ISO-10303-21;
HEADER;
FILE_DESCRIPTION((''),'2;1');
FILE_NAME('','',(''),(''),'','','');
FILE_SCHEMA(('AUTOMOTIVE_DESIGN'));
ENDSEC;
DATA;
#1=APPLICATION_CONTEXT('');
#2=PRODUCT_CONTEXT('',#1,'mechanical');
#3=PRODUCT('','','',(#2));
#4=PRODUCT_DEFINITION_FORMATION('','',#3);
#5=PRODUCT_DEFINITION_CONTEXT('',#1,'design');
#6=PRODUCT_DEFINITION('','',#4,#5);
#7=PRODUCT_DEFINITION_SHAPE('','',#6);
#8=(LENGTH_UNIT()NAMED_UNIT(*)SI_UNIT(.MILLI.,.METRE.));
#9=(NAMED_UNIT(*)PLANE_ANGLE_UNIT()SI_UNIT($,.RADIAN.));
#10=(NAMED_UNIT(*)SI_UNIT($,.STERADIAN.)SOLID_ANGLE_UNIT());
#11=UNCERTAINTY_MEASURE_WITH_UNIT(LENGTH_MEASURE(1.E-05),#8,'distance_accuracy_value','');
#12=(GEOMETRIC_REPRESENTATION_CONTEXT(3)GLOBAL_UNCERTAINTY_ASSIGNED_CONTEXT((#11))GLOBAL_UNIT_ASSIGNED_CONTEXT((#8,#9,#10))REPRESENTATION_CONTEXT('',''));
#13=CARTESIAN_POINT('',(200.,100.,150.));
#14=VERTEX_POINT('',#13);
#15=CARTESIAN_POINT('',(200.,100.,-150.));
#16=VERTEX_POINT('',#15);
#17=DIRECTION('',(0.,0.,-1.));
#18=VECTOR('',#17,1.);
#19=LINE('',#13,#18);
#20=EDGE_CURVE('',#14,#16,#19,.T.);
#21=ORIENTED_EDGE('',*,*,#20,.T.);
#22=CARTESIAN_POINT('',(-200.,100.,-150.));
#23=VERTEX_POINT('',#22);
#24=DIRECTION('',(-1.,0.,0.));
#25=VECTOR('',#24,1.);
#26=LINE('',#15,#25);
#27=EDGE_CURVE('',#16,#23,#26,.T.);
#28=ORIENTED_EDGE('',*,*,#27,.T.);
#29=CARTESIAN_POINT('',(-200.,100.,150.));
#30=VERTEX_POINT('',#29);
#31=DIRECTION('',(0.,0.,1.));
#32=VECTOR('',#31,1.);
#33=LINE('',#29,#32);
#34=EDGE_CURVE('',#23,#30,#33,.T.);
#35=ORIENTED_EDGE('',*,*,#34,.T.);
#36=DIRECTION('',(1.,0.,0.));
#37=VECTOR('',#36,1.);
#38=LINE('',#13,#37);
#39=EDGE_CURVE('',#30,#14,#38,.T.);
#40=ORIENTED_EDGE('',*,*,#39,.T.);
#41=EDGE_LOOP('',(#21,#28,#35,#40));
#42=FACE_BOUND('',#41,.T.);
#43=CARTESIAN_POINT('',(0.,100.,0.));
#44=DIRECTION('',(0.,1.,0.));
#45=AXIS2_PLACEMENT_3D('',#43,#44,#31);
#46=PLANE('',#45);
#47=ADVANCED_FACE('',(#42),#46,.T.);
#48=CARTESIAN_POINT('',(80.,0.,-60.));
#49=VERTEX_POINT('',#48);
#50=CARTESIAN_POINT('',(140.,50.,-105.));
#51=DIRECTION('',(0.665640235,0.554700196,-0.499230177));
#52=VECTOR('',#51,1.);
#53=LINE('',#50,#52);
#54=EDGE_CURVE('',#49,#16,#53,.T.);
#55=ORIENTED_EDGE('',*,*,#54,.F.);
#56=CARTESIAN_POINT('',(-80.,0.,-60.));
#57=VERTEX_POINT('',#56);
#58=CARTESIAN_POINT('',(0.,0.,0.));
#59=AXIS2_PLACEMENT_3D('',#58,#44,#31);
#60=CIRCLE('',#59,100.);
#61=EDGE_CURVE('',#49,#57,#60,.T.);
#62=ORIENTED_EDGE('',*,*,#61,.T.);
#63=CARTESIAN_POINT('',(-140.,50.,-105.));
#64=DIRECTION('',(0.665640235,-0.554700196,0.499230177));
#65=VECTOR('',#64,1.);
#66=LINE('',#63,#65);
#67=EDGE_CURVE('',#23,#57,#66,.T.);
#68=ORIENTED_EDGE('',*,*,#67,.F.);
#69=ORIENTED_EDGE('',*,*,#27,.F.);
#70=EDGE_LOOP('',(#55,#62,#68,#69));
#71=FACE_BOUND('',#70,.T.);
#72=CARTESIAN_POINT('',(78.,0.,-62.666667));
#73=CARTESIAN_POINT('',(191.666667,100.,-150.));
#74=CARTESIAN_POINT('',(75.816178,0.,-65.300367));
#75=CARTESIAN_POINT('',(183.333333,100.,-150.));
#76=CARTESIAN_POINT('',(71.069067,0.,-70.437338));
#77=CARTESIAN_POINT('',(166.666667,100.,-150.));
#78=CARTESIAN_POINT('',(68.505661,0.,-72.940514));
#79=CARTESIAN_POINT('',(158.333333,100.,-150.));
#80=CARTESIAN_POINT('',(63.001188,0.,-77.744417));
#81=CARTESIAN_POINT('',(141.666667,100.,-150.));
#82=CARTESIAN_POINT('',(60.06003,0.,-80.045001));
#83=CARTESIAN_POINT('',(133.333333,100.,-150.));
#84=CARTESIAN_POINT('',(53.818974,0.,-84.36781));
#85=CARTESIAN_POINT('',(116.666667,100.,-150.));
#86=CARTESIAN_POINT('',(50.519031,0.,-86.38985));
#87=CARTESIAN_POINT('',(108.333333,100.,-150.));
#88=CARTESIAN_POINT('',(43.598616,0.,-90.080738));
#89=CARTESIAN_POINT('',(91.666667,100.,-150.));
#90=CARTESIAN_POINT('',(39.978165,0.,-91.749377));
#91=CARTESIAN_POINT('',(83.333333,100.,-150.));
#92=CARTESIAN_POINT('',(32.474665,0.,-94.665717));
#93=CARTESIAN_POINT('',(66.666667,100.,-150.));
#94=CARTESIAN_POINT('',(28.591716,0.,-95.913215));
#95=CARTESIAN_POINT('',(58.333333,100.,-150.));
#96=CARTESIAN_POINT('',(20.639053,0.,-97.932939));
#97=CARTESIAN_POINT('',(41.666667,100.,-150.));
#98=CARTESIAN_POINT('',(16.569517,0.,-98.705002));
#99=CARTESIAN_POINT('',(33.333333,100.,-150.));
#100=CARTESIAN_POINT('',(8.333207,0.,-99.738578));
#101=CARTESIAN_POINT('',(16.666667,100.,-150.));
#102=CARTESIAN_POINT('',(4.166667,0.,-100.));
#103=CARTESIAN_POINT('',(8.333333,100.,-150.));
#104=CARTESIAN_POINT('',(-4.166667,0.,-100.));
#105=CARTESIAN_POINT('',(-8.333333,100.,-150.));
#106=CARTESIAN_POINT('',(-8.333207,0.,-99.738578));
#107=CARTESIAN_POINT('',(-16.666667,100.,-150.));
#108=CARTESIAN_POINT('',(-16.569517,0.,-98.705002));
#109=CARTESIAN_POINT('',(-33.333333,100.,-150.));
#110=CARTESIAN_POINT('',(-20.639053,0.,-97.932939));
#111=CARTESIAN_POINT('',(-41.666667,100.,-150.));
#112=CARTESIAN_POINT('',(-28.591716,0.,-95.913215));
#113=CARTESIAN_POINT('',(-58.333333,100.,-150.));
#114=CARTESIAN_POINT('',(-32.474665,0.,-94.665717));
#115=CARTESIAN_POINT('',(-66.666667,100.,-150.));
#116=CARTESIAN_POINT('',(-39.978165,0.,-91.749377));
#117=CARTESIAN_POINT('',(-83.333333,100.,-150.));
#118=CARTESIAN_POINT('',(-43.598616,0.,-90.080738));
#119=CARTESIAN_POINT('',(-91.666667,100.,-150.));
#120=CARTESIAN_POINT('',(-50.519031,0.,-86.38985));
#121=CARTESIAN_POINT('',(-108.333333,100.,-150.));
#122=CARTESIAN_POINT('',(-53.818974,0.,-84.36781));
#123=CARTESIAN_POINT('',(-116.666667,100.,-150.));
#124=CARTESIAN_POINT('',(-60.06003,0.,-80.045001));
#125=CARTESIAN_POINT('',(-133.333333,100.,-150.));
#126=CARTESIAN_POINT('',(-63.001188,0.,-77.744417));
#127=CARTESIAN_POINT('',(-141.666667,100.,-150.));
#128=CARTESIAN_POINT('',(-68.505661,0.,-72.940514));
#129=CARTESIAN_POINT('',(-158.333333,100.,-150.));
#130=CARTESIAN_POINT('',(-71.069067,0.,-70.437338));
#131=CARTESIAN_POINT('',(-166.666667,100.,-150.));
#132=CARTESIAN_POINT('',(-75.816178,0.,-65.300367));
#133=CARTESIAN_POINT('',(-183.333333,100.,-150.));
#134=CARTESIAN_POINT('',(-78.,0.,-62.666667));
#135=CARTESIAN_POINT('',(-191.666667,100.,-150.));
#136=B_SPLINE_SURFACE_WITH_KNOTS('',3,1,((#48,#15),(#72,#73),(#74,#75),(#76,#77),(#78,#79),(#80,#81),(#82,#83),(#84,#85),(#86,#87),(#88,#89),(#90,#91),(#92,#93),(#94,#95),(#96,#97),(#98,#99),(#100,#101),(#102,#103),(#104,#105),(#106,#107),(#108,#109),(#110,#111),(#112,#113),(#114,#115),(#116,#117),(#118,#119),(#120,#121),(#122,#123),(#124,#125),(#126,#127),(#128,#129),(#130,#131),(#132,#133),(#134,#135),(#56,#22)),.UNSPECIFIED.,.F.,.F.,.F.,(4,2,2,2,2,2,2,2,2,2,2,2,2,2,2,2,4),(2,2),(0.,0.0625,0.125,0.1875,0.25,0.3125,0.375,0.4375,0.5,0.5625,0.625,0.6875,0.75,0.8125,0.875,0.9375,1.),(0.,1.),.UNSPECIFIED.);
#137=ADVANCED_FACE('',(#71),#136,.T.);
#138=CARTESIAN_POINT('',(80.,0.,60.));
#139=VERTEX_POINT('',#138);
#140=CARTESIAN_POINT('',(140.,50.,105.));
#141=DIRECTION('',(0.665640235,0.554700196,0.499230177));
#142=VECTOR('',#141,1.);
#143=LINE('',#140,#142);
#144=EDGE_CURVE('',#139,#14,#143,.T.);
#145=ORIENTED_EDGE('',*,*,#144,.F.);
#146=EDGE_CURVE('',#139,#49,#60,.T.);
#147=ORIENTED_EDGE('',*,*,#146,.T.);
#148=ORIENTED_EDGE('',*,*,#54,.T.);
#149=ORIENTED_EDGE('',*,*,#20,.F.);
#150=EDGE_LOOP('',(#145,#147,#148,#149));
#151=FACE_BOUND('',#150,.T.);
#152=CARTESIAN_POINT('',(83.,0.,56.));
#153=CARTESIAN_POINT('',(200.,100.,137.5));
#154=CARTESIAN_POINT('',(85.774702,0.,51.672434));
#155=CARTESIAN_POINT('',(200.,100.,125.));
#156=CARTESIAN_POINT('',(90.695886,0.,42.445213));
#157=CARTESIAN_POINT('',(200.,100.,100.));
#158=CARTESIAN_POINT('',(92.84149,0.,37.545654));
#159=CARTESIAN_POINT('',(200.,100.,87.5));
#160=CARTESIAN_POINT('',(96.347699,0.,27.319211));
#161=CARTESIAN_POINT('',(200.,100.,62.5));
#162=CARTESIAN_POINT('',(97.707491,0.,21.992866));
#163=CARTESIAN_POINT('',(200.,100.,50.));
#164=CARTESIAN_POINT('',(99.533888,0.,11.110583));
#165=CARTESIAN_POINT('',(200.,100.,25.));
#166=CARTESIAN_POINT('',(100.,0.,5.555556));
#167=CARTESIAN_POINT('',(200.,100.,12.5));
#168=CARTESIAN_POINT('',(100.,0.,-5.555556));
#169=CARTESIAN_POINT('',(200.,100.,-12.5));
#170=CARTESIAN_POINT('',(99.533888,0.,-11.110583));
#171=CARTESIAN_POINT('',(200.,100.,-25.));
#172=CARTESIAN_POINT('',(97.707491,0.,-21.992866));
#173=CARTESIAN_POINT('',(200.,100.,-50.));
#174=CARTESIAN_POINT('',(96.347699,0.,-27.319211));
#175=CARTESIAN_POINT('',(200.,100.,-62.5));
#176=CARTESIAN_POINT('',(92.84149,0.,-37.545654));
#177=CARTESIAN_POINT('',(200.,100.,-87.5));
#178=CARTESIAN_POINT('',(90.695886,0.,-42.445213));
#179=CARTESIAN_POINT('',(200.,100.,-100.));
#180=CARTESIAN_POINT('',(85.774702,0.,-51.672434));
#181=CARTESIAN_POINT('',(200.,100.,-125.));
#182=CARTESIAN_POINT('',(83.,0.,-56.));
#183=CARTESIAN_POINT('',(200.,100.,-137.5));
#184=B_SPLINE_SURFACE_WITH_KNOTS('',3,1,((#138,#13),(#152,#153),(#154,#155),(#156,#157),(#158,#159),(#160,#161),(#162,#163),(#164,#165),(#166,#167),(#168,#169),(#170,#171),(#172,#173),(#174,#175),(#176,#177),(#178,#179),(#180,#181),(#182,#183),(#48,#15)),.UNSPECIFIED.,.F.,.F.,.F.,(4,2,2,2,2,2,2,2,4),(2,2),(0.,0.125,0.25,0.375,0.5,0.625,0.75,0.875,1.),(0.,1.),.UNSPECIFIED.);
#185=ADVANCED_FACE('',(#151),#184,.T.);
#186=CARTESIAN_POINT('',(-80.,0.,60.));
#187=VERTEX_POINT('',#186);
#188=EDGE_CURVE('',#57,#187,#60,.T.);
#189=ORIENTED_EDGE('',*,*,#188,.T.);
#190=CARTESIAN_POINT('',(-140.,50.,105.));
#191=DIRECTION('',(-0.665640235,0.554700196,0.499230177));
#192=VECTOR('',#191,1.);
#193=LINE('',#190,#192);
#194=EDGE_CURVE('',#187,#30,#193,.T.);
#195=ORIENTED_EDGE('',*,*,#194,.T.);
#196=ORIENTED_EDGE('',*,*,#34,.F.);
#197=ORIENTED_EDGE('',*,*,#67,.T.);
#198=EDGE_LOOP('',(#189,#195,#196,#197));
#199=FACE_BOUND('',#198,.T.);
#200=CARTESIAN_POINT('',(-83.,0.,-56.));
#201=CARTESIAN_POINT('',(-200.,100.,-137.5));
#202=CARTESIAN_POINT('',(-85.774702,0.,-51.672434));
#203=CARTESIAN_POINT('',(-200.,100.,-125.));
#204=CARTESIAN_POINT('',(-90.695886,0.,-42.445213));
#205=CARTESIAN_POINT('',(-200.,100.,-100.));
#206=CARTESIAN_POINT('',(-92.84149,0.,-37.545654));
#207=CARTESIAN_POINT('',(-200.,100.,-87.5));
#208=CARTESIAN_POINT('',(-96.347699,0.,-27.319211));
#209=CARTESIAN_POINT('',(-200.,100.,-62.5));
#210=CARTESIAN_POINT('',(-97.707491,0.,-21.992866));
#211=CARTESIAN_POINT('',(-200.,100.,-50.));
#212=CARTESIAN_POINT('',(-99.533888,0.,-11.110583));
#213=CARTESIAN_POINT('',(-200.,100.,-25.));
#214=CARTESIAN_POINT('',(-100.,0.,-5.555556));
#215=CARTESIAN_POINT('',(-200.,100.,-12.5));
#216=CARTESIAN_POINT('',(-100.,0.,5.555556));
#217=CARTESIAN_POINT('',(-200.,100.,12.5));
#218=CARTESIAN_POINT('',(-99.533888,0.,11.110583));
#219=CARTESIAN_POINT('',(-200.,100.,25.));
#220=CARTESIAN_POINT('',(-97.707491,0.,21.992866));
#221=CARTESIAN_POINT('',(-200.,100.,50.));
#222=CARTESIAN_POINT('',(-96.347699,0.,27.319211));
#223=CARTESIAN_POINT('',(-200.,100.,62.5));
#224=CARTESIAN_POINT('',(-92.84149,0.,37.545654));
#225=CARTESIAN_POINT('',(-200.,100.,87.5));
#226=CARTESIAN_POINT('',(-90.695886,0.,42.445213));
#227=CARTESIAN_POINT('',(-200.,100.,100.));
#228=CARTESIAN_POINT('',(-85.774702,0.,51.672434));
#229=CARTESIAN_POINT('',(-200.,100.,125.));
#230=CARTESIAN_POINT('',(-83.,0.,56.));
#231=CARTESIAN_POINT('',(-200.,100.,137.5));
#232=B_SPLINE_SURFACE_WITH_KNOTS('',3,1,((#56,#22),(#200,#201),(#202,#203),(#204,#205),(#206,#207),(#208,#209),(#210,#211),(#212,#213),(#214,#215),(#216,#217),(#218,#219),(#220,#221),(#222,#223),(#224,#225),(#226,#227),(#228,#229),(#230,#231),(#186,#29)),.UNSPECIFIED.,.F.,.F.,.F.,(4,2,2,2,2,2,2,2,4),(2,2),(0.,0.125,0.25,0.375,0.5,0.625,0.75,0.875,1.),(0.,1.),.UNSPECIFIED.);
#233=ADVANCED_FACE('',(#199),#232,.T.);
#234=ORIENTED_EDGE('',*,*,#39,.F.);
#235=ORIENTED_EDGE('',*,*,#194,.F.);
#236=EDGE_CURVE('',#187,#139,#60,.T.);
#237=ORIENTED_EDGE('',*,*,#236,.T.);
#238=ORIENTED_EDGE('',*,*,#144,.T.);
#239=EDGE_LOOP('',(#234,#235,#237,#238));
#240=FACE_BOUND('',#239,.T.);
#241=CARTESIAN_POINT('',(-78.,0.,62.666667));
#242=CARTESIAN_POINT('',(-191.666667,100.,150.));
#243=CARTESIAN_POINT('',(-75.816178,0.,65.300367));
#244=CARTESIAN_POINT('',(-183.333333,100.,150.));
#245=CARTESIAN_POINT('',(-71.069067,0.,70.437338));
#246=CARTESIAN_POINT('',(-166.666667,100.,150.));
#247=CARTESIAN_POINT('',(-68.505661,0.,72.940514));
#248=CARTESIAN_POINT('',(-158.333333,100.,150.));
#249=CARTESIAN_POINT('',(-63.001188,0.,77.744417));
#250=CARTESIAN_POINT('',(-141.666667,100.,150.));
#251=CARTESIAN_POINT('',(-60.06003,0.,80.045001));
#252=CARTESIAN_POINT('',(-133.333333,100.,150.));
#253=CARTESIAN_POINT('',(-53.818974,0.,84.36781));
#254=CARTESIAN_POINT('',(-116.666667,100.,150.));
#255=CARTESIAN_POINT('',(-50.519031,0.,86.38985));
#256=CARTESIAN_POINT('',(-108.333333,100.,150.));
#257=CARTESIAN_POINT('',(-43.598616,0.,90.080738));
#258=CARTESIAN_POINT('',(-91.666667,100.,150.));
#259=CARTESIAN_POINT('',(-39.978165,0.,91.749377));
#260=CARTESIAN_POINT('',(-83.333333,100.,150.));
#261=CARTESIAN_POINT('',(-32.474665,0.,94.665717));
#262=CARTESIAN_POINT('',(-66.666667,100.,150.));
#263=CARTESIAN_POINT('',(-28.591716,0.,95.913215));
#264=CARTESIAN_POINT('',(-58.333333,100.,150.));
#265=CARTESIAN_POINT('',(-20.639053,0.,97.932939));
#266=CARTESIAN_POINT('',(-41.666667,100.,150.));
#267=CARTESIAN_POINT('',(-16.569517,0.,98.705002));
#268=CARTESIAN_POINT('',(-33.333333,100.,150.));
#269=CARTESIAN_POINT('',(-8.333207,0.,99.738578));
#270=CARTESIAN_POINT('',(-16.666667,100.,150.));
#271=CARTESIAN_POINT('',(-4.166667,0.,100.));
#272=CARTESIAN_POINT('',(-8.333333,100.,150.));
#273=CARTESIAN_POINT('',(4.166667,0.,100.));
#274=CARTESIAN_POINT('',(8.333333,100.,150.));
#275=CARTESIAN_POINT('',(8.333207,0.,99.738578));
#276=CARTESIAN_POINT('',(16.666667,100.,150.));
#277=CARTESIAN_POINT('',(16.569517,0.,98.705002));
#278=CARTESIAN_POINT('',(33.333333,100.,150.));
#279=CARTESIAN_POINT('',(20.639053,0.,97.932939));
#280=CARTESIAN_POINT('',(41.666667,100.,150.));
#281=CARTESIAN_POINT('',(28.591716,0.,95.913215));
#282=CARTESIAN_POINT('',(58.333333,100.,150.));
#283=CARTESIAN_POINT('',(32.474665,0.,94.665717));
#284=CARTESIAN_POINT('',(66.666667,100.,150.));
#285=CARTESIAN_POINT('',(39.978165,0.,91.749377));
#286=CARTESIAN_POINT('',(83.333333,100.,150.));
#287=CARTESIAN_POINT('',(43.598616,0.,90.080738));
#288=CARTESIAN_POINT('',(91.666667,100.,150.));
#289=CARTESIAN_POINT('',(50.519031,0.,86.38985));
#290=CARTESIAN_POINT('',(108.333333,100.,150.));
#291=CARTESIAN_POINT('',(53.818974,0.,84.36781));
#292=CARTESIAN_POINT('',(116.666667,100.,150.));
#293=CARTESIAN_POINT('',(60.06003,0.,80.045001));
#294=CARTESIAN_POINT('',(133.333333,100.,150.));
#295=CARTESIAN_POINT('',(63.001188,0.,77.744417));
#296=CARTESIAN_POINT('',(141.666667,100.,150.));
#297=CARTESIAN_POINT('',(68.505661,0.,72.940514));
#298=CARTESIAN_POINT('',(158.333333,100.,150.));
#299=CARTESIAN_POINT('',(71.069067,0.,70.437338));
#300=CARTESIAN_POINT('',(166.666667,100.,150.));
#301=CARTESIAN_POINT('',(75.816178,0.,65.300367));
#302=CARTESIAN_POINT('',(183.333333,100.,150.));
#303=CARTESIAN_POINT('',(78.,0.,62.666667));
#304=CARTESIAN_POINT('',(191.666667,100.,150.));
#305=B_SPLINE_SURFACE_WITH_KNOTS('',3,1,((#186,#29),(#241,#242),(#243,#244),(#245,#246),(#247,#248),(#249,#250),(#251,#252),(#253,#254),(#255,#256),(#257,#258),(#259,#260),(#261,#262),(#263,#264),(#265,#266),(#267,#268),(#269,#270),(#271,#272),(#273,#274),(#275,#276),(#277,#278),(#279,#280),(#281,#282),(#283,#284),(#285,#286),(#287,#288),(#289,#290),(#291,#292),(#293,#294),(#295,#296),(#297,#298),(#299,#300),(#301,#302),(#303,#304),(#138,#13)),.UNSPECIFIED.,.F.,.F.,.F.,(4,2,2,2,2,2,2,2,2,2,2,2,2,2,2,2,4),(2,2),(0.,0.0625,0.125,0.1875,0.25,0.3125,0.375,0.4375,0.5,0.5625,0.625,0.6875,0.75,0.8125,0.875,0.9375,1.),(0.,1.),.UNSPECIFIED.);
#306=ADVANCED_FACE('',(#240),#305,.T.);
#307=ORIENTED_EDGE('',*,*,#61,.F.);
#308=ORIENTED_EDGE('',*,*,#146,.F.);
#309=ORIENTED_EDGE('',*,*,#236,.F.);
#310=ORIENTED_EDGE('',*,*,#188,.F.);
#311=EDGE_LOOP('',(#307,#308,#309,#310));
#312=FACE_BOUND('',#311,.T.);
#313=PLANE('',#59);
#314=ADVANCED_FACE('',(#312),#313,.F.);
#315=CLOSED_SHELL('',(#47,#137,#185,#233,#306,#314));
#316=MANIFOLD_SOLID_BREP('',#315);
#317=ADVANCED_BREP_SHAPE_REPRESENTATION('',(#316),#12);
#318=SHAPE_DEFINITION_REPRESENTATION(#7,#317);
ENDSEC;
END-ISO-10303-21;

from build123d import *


with BuildPart() as part:
    # Çizim4 for Loft11 → Loft11 section 0
    with BuildSketch(Plane(origin=(0, 0, 0), x_dir=(1, 0, 0), z_dir=(0, 1, 0))):
        with BuildLine():
            # circular arc as an exact rational Bezier (weights 1, cos(half-angle), 1)
            Bezier((80, -60), (0, -166.666666667), (-80, -60), weights=[1, 0.6, 1])
            Bezier((-80, -60), (-125, 0), (-80, 60), weights=[1, 0.8, 1])
            Bezier((-80, 60), (0, 166.666666667), (80, 60), weights=[1, 0.6, 1])
            Bezier((80, 60), (125, 0), (80, -60), weights=[1, 0.8, 1])
        make_face()
    # Çizim6 → Loft11 section 1
    with BuildSketch(Plane(origin=(0, 100, 0), x_dir=(1, 0, 0), z_dir=(0, 1, 0))):
        with BuildLine():
            Line((200, -150), (-200, -150))
            Line((-200, -150), (-200, 150))
            Line((-200, 150), (200, 150))
            Line((200, 150), (200, -150))
        make_face()
    loft()


solid = part.part
